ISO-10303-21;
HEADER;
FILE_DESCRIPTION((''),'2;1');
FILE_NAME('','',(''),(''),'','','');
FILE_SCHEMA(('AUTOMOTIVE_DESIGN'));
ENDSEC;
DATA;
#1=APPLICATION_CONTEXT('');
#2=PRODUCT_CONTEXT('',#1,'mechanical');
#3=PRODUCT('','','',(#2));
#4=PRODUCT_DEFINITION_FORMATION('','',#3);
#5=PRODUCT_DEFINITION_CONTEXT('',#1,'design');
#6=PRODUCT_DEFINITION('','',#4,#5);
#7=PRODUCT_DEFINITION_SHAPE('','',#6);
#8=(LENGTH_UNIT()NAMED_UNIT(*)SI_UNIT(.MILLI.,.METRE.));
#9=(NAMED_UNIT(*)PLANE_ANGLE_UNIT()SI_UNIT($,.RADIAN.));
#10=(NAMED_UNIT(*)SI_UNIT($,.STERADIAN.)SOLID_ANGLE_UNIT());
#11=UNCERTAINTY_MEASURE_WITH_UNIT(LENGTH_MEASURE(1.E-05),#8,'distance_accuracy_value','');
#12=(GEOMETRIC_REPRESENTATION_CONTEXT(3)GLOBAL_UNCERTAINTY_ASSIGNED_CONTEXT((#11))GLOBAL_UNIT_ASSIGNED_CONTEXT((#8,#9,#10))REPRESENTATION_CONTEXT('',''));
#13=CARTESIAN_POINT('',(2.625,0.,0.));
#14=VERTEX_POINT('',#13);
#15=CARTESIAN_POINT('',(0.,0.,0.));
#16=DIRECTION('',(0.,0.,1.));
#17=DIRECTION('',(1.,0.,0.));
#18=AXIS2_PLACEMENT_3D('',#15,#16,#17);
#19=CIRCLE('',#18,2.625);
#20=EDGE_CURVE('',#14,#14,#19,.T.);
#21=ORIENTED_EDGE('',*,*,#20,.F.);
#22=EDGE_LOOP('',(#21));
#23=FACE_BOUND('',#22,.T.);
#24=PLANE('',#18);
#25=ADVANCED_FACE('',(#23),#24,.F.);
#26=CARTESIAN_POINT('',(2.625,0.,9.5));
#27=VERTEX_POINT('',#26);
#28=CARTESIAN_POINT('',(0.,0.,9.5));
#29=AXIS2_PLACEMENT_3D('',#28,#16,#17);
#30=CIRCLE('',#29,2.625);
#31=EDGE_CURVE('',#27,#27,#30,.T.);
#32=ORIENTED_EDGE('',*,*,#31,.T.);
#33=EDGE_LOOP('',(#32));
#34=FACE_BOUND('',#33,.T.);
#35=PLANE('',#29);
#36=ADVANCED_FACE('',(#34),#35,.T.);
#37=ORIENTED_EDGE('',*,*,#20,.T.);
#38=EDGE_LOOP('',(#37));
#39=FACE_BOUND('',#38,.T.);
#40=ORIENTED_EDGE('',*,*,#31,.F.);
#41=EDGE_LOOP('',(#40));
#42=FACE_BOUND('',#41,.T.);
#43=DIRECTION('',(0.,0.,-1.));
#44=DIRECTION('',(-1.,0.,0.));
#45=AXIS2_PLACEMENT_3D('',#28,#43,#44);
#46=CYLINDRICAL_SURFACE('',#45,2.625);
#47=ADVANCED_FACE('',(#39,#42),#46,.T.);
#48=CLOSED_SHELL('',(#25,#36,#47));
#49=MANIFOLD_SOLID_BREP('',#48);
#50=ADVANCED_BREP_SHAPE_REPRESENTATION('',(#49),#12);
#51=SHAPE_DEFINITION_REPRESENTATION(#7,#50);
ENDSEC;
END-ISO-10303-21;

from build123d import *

# Parameters (mm, degrees)
SKETCH1_R           = 2.625
BOSS_EXTRUDE1_DEPTH = 9.5


with BuildPart() as part:
    # Sketch1 → Boss-Extrude1 (new body)
    with BuildSketch(Plane.XY):
        Circle(SKETCH1_R)
    extrude(amount=BOSS_EXTRUDE1_DEPTH)


solid = part.part
